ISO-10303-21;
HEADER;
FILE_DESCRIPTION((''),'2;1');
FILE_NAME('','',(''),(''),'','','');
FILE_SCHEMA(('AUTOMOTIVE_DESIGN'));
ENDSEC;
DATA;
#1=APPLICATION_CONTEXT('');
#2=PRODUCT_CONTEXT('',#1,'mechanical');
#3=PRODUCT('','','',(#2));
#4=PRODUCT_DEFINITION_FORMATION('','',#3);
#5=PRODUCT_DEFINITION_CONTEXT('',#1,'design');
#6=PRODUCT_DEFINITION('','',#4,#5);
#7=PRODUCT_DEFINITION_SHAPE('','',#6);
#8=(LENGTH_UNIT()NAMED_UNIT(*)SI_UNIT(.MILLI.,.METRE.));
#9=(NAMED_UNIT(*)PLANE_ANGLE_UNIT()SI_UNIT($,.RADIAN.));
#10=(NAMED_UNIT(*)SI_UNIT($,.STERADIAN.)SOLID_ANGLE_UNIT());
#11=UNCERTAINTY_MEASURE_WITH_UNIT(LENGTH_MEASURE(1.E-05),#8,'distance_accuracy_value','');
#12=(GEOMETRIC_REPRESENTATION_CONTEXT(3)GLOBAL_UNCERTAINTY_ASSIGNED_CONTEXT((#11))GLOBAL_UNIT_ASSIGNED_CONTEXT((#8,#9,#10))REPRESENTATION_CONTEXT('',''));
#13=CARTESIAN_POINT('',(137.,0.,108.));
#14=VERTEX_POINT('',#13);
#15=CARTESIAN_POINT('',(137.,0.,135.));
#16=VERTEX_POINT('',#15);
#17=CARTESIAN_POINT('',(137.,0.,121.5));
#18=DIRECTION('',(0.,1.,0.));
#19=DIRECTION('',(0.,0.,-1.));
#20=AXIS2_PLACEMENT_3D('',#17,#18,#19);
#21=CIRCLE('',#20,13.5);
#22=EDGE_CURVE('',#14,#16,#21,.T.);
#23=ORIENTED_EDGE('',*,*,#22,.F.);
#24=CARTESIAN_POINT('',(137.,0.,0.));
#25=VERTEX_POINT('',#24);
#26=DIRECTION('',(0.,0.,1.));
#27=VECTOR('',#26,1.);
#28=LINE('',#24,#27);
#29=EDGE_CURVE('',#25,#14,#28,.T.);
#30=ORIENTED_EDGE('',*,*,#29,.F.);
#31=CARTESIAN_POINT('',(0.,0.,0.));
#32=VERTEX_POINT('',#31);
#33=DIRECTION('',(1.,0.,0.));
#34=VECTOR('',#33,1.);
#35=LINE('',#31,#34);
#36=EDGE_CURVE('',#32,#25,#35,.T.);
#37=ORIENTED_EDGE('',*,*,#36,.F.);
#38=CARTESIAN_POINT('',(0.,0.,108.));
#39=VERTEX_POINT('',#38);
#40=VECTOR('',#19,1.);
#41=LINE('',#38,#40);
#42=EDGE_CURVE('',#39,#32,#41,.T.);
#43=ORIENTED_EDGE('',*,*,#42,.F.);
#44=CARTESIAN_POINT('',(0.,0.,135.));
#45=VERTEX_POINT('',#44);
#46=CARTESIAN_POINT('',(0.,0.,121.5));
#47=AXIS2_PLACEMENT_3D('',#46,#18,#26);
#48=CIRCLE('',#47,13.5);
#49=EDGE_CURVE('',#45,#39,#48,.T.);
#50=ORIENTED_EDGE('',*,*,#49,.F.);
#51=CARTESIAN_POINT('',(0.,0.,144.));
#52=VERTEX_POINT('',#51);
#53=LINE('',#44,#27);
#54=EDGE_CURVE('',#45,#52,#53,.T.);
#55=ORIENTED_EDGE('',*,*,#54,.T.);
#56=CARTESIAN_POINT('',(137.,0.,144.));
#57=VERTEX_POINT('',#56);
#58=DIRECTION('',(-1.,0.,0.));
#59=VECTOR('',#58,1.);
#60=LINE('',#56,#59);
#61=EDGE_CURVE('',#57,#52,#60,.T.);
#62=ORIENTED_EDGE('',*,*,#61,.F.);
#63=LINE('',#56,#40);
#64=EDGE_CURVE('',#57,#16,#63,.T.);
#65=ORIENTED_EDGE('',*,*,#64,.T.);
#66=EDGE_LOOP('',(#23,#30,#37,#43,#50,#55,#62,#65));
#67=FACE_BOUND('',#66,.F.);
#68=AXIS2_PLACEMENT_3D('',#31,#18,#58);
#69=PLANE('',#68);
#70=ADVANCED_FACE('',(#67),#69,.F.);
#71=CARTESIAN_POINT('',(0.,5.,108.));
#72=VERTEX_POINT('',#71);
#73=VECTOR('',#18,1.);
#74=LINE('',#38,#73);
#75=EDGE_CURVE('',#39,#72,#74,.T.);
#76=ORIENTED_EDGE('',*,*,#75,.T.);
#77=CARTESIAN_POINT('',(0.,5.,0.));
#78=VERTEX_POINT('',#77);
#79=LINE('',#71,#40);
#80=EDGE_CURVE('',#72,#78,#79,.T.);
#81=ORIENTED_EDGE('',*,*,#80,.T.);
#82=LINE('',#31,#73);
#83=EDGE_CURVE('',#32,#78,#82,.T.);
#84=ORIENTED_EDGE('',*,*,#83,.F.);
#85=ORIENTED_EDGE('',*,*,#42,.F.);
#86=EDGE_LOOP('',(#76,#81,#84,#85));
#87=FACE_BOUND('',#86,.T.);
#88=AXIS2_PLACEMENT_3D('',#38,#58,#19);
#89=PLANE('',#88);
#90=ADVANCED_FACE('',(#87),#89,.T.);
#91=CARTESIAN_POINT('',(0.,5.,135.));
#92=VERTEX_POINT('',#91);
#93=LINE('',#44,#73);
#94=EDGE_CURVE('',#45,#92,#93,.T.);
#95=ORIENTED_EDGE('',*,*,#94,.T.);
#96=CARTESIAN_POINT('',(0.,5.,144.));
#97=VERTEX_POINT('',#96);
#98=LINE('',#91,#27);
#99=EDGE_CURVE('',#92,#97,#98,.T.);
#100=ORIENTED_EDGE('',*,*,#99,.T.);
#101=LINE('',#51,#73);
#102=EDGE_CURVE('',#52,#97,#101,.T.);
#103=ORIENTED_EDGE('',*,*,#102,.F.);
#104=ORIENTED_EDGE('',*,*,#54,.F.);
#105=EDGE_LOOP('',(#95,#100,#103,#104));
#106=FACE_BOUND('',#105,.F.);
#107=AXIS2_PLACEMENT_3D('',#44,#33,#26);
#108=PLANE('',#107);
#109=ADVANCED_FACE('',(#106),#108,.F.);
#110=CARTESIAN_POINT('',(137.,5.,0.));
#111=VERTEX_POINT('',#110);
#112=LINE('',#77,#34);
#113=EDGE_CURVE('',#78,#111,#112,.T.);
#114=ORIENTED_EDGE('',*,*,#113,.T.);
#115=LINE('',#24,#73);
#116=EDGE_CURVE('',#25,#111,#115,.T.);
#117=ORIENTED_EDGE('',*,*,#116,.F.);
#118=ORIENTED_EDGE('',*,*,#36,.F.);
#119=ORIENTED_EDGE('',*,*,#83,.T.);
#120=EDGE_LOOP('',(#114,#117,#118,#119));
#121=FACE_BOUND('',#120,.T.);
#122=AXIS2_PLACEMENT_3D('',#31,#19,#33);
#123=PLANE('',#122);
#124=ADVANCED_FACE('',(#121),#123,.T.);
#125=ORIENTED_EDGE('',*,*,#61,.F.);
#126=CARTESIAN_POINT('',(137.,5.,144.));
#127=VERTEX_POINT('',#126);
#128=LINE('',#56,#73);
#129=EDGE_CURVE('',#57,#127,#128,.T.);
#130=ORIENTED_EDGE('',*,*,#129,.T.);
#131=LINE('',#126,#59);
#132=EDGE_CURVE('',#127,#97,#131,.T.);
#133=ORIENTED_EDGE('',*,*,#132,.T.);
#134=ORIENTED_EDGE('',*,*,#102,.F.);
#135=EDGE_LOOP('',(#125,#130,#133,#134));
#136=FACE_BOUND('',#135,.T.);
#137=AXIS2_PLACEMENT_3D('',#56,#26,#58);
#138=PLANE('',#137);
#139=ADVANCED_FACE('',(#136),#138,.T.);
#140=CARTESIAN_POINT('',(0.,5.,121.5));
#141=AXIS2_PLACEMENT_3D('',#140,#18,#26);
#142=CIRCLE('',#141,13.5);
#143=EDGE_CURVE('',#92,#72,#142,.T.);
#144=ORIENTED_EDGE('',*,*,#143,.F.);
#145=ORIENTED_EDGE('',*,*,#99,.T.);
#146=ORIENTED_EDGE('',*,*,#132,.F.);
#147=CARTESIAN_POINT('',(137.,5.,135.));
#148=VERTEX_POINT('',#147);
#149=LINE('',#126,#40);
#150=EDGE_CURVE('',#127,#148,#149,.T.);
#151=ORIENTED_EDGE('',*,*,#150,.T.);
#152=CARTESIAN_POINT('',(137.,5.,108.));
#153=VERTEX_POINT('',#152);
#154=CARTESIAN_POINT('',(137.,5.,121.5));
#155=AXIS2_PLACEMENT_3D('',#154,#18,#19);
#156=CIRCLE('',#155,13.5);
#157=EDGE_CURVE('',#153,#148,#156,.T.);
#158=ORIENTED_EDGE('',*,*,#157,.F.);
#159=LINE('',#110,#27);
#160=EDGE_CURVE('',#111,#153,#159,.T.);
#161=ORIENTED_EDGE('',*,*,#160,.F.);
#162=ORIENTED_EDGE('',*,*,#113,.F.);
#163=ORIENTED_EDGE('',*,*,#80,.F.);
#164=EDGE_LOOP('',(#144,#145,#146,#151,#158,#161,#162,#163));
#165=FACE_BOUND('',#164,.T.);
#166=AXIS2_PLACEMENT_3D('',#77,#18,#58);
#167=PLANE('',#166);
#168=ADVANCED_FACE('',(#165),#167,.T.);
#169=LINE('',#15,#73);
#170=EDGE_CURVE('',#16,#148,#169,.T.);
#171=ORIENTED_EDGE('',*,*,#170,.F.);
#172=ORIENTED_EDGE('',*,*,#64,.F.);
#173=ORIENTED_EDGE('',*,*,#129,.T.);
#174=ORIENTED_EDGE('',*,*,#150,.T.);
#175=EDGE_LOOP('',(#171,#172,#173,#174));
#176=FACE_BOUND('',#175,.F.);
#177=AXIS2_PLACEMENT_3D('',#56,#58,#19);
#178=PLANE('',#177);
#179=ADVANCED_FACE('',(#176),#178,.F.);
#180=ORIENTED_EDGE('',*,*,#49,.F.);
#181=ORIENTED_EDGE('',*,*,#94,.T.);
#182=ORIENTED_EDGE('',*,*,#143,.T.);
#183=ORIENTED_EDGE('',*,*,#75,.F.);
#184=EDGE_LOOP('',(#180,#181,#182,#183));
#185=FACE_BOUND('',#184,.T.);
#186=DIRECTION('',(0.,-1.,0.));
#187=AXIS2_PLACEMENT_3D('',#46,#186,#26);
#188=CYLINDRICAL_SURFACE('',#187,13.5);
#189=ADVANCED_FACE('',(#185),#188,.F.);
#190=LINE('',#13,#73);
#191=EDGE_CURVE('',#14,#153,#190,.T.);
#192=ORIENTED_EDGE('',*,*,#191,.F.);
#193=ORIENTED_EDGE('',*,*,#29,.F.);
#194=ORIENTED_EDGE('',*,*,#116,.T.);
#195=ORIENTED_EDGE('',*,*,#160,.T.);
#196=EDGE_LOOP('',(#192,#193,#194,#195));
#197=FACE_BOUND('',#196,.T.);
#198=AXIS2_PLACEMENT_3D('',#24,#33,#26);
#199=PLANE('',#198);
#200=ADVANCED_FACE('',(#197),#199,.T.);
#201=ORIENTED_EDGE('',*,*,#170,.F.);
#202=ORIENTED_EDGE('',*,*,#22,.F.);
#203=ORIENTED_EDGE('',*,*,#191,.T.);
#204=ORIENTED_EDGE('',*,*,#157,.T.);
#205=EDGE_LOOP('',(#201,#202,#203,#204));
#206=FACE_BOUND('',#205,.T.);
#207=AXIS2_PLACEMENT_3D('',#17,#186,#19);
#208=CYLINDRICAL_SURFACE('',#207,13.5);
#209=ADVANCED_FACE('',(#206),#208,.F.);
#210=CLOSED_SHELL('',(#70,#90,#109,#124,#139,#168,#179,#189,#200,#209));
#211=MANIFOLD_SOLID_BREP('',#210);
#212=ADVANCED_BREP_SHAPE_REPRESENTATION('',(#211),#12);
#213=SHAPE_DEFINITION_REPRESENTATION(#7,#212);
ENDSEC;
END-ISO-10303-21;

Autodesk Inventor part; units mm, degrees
ref_plane "YZ Plane" through (0, 0, 0) normal (1, 0, 0) x (0, 1, 0)
ref_plane "XZ Plane" through (0, 0, 0) normal (0, 1, 0) x (-1, 0, 0)
ref_plane "XY Plane" through (0, 0, 0) normal (0, 0, 1) x (1, 0, 0)
sketch "Sketch2" plane through (0, 0, 0) normal (0, 1, 0) x (-1, 0, 0)
  line L0 (0, 0) -> (-137, 0)
  line L1 (-137, 144) -> (0, 144)
  line L2 (0, 144) -> (-137, 144)
  line L3 (-137, 144) -> (-137, 134.2279)
  line L4 (0, 135) -> (0, 144)
  arc A0 (0, 135) -> (0, 108) centre (0, 121.5) ccw
  line L5 (-137, 0) -> (-137, 108.7721)
  line L6 (-137, 134.2279) -> (-137, 144)
  line L7 (0, 144) -> (0, 135)
  line L8 (0, 108) -> (0, 0)
  arc A1 (-137, 108) -> (-137, 135) centre (-137, 121.5) ccw
  point P0 (-13.5, 121.5)
  point P1 (-123.5, 121.5)
  dimension "d0" = 137
  dimension "d4" = 27
  dimension "d6" = 27
  dimension "d7" = 110
  dimension "d8" = 22.5
extrude "Extrusion1" add sketch "Sketch2" along normal blind 5
properties part number "Cover"
